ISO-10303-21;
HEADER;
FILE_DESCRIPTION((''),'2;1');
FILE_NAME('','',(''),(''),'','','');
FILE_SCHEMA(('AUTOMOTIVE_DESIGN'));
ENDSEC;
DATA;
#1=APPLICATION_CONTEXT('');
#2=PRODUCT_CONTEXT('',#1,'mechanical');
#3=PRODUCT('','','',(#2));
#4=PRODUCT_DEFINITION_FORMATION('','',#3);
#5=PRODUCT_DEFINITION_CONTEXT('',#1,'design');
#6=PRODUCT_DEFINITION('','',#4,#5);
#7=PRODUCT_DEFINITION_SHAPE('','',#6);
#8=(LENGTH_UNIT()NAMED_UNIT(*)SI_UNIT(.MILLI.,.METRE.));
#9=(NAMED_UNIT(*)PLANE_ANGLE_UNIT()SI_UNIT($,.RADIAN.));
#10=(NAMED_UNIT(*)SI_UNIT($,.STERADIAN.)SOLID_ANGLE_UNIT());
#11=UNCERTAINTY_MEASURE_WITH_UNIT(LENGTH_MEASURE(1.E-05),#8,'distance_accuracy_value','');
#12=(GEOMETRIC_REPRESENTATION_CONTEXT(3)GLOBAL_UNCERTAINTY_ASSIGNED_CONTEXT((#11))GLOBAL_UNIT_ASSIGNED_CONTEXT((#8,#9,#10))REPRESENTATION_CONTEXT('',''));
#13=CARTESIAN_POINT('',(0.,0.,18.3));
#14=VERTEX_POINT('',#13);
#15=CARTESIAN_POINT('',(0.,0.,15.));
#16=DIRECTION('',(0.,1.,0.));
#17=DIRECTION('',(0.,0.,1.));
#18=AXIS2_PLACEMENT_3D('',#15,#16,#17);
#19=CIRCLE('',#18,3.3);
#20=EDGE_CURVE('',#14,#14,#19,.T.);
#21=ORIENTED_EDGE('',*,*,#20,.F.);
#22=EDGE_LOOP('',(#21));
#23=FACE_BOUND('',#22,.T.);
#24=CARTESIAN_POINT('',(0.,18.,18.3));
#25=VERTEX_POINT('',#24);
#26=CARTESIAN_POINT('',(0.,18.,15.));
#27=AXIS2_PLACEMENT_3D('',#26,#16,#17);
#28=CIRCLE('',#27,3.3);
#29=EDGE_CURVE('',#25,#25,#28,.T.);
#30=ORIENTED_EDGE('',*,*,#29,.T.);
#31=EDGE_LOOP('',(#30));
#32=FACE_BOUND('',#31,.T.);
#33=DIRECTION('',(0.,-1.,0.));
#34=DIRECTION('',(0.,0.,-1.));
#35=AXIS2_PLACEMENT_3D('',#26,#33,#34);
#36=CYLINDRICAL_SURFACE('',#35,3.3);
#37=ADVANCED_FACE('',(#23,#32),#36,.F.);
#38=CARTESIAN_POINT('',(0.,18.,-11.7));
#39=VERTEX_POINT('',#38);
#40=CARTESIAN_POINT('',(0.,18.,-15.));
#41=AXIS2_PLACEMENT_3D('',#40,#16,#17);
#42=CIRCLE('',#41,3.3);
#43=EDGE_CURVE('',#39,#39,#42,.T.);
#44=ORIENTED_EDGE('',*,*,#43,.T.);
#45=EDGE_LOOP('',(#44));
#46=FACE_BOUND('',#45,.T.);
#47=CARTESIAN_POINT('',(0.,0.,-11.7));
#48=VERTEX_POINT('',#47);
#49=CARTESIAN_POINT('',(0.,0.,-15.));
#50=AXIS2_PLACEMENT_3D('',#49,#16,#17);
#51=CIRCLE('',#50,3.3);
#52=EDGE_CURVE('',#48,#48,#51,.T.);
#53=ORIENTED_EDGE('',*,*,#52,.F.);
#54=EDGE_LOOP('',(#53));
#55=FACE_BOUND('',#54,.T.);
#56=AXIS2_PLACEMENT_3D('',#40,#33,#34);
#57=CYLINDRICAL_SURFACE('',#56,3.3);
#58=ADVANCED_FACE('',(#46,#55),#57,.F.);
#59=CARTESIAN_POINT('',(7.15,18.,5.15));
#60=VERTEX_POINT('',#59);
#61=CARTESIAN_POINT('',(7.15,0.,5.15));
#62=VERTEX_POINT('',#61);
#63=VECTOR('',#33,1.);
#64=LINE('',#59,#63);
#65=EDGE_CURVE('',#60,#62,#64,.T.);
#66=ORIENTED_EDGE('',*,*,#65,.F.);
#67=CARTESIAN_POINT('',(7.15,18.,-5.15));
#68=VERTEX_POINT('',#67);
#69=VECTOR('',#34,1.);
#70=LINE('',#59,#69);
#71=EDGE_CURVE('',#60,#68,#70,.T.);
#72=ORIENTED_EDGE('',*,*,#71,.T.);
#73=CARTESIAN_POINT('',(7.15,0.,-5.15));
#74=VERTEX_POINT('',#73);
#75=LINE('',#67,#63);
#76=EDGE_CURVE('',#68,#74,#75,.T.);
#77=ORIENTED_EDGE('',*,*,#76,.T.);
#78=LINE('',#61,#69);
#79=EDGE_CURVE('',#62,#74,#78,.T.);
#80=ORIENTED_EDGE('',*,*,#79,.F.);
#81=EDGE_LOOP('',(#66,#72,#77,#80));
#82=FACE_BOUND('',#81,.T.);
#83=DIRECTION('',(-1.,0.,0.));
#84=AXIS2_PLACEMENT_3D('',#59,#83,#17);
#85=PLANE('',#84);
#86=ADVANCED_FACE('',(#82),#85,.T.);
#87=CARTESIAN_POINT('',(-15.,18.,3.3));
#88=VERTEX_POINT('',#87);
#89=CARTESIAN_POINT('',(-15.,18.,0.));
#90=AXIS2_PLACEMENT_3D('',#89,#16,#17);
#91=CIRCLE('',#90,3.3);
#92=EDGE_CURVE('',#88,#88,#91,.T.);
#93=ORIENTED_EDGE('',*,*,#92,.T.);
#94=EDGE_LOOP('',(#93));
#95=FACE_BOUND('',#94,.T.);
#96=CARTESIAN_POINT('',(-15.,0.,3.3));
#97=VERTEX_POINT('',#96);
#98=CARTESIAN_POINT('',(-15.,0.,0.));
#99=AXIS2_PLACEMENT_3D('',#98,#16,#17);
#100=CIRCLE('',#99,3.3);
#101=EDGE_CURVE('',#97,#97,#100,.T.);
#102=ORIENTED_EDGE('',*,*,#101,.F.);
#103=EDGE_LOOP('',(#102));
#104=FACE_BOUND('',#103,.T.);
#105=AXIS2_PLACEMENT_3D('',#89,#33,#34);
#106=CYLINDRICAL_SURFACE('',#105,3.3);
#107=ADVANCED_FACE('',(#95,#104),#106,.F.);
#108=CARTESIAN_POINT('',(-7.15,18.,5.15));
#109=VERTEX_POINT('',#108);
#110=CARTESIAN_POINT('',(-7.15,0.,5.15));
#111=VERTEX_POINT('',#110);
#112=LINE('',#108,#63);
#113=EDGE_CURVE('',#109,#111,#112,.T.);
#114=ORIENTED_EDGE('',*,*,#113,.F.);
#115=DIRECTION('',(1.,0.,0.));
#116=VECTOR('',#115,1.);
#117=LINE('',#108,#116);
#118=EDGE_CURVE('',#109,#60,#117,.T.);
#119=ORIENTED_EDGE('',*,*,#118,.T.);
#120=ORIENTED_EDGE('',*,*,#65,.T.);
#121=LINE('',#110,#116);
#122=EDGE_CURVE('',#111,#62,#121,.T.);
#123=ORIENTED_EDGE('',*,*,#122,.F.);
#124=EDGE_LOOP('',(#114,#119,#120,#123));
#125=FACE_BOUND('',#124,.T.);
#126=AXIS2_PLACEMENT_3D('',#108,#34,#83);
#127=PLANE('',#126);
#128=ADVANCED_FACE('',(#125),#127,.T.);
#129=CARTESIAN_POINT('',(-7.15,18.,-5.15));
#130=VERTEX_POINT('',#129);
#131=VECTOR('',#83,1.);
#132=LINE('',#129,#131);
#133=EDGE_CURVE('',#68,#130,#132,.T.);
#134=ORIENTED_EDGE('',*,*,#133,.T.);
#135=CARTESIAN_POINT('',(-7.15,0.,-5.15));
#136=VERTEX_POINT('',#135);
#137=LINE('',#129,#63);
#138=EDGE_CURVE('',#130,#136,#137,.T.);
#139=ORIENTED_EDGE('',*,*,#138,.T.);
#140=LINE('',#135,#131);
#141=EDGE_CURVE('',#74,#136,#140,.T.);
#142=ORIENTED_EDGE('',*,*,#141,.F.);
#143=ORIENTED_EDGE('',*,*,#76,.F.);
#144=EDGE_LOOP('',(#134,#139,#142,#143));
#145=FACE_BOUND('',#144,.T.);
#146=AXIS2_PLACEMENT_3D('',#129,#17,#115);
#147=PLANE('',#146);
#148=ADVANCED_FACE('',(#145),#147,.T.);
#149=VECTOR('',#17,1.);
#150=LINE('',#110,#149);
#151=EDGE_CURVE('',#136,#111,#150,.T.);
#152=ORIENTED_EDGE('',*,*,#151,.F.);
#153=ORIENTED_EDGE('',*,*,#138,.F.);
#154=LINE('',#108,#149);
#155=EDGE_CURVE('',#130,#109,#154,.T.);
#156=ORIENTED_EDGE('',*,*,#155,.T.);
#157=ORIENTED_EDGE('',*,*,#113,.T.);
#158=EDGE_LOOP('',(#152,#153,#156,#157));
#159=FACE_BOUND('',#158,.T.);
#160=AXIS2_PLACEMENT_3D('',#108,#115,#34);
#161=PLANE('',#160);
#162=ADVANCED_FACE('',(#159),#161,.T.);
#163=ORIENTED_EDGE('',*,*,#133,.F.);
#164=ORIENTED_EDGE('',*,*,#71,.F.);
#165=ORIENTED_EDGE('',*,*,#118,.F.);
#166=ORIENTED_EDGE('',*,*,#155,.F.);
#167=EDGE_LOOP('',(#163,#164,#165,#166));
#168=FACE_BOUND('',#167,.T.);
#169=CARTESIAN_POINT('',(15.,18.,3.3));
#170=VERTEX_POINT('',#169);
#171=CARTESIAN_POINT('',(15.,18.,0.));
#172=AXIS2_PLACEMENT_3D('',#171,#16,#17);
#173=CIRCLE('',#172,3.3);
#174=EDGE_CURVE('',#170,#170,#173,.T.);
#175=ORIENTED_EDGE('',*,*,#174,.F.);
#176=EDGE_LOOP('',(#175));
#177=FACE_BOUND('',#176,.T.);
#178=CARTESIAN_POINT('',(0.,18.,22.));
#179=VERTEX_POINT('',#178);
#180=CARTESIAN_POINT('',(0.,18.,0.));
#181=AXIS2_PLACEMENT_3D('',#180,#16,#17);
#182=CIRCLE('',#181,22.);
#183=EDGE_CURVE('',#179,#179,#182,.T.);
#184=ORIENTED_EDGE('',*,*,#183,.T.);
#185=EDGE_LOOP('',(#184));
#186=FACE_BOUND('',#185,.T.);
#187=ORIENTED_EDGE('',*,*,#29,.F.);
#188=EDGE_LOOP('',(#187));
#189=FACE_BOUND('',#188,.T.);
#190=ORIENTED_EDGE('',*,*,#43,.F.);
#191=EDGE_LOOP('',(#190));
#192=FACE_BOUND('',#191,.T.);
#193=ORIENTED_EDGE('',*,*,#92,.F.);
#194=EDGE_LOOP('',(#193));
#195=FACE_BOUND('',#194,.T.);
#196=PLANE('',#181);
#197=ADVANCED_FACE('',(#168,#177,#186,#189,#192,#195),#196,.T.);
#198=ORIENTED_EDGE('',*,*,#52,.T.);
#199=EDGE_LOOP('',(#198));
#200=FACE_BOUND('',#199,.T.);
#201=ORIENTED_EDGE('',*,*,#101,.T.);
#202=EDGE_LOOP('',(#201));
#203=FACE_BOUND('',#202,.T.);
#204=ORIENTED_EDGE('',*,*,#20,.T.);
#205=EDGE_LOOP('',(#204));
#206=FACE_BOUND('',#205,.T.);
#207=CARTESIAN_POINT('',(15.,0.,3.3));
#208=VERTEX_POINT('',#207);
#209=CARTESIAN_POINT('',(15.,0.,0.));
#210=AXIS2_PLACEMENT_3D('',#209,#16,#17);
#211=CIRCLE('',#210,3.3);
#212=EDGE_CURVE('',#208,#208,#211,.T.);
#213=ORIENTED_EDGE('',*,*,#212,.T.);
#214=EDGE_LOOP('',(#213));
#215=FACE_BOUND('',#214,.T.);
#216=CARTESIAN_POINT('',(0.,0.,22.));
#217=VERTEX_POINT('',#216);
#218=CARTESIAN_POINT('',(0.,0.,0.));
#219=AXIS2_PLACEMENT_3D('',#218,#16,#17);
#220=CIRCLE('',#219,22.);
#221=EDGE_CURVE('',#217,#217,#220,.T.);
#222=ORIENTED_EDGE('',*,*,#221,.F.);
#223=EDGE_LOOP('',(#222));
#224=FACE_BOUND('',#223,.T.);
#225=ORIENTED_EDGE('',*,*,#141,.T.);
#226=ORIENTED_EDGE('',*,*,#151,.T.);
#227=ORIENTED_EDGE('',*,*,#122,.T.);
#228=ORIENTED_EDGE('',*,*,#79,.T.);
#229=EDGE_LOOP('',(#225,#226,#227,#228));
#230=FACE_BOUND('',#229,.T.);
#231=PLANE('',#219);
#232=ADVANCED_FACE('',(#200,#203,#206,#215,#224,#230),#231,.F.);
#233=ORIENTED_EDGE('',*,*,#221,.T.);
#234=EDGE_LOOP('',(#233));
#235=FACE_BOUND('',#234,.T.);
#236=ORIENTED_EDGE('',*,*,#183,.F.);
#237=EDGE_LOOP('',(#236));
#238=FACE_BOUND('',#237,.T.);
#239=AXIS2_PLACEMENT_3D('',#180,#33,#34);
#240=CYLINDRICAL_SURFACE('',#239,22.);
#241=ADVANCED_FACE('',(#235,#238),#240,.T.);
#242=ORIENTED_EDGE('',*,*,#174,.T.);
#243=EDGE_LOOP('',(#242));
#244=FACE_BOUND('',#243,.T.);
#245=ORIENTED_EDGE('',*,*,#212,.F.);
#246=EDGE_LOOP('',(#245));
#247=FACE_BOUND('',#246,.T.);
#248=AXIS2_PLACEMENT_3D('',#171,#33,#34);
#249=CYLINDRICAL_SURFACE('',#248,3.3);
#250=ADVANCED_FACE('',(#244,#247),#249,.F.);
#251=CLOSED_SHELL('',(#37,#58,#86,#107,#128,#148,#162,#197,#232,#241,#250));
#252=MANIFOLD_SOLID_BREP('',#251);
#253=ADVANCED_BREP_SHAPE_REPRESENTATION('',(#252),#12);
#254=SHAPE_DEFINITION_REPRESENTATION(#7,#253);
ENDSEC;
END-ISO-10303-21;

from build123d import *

# Parameters (mm, degrees)
SKETCH1_R                 = 22
SKETCH1_R_2               = 3.3
SKETCH1_W                 = 14.3
SKETCH1_H                 = 10.3
STEM_ADAPTER_FLANGE_DEPTH = 18


with BuildPart() as part:
    # Sketch1 → Stem_Adapter_Flange (new body)
    with BuildSketch(Plane(origin=(0, 0, 0), x_dir=(1, 0, 0), z_dir=(0, 1, 0))):
        with Locations(Location((0, 0, 0), (0, 0, 270))):
            Circle(SKETCH1_R)
        with Locations(Location((-15, 0, 0), (0, 0, 270))):
            Circle(SKETCH1_R_2, mode=Mode.SUBTRACT)
        with Locations(Location((15, 0, 0), (0, 0, 270))):
            Circle(SKETCH1_R_2, mode=Mode.SUBTRACT)
        with Locations(Location((0, -15, 0), (0, 0, 270))):
            Circle(SKETCH1_R_2, mode=Mode.SUBTRACT)
        with Locations(Location((0, 15, 0), (0, 0, 270))):
            Circle(SKETCH1_R_2, mode=Mode.SUBTRACT)
        Rectangle(SKETCH1_W, SKETCH1_H, mode=Mode.SUBTRACT)
    extrude(amount=STEM_ADAPTER_FLANGE_DEPTH)


solid = part.part
